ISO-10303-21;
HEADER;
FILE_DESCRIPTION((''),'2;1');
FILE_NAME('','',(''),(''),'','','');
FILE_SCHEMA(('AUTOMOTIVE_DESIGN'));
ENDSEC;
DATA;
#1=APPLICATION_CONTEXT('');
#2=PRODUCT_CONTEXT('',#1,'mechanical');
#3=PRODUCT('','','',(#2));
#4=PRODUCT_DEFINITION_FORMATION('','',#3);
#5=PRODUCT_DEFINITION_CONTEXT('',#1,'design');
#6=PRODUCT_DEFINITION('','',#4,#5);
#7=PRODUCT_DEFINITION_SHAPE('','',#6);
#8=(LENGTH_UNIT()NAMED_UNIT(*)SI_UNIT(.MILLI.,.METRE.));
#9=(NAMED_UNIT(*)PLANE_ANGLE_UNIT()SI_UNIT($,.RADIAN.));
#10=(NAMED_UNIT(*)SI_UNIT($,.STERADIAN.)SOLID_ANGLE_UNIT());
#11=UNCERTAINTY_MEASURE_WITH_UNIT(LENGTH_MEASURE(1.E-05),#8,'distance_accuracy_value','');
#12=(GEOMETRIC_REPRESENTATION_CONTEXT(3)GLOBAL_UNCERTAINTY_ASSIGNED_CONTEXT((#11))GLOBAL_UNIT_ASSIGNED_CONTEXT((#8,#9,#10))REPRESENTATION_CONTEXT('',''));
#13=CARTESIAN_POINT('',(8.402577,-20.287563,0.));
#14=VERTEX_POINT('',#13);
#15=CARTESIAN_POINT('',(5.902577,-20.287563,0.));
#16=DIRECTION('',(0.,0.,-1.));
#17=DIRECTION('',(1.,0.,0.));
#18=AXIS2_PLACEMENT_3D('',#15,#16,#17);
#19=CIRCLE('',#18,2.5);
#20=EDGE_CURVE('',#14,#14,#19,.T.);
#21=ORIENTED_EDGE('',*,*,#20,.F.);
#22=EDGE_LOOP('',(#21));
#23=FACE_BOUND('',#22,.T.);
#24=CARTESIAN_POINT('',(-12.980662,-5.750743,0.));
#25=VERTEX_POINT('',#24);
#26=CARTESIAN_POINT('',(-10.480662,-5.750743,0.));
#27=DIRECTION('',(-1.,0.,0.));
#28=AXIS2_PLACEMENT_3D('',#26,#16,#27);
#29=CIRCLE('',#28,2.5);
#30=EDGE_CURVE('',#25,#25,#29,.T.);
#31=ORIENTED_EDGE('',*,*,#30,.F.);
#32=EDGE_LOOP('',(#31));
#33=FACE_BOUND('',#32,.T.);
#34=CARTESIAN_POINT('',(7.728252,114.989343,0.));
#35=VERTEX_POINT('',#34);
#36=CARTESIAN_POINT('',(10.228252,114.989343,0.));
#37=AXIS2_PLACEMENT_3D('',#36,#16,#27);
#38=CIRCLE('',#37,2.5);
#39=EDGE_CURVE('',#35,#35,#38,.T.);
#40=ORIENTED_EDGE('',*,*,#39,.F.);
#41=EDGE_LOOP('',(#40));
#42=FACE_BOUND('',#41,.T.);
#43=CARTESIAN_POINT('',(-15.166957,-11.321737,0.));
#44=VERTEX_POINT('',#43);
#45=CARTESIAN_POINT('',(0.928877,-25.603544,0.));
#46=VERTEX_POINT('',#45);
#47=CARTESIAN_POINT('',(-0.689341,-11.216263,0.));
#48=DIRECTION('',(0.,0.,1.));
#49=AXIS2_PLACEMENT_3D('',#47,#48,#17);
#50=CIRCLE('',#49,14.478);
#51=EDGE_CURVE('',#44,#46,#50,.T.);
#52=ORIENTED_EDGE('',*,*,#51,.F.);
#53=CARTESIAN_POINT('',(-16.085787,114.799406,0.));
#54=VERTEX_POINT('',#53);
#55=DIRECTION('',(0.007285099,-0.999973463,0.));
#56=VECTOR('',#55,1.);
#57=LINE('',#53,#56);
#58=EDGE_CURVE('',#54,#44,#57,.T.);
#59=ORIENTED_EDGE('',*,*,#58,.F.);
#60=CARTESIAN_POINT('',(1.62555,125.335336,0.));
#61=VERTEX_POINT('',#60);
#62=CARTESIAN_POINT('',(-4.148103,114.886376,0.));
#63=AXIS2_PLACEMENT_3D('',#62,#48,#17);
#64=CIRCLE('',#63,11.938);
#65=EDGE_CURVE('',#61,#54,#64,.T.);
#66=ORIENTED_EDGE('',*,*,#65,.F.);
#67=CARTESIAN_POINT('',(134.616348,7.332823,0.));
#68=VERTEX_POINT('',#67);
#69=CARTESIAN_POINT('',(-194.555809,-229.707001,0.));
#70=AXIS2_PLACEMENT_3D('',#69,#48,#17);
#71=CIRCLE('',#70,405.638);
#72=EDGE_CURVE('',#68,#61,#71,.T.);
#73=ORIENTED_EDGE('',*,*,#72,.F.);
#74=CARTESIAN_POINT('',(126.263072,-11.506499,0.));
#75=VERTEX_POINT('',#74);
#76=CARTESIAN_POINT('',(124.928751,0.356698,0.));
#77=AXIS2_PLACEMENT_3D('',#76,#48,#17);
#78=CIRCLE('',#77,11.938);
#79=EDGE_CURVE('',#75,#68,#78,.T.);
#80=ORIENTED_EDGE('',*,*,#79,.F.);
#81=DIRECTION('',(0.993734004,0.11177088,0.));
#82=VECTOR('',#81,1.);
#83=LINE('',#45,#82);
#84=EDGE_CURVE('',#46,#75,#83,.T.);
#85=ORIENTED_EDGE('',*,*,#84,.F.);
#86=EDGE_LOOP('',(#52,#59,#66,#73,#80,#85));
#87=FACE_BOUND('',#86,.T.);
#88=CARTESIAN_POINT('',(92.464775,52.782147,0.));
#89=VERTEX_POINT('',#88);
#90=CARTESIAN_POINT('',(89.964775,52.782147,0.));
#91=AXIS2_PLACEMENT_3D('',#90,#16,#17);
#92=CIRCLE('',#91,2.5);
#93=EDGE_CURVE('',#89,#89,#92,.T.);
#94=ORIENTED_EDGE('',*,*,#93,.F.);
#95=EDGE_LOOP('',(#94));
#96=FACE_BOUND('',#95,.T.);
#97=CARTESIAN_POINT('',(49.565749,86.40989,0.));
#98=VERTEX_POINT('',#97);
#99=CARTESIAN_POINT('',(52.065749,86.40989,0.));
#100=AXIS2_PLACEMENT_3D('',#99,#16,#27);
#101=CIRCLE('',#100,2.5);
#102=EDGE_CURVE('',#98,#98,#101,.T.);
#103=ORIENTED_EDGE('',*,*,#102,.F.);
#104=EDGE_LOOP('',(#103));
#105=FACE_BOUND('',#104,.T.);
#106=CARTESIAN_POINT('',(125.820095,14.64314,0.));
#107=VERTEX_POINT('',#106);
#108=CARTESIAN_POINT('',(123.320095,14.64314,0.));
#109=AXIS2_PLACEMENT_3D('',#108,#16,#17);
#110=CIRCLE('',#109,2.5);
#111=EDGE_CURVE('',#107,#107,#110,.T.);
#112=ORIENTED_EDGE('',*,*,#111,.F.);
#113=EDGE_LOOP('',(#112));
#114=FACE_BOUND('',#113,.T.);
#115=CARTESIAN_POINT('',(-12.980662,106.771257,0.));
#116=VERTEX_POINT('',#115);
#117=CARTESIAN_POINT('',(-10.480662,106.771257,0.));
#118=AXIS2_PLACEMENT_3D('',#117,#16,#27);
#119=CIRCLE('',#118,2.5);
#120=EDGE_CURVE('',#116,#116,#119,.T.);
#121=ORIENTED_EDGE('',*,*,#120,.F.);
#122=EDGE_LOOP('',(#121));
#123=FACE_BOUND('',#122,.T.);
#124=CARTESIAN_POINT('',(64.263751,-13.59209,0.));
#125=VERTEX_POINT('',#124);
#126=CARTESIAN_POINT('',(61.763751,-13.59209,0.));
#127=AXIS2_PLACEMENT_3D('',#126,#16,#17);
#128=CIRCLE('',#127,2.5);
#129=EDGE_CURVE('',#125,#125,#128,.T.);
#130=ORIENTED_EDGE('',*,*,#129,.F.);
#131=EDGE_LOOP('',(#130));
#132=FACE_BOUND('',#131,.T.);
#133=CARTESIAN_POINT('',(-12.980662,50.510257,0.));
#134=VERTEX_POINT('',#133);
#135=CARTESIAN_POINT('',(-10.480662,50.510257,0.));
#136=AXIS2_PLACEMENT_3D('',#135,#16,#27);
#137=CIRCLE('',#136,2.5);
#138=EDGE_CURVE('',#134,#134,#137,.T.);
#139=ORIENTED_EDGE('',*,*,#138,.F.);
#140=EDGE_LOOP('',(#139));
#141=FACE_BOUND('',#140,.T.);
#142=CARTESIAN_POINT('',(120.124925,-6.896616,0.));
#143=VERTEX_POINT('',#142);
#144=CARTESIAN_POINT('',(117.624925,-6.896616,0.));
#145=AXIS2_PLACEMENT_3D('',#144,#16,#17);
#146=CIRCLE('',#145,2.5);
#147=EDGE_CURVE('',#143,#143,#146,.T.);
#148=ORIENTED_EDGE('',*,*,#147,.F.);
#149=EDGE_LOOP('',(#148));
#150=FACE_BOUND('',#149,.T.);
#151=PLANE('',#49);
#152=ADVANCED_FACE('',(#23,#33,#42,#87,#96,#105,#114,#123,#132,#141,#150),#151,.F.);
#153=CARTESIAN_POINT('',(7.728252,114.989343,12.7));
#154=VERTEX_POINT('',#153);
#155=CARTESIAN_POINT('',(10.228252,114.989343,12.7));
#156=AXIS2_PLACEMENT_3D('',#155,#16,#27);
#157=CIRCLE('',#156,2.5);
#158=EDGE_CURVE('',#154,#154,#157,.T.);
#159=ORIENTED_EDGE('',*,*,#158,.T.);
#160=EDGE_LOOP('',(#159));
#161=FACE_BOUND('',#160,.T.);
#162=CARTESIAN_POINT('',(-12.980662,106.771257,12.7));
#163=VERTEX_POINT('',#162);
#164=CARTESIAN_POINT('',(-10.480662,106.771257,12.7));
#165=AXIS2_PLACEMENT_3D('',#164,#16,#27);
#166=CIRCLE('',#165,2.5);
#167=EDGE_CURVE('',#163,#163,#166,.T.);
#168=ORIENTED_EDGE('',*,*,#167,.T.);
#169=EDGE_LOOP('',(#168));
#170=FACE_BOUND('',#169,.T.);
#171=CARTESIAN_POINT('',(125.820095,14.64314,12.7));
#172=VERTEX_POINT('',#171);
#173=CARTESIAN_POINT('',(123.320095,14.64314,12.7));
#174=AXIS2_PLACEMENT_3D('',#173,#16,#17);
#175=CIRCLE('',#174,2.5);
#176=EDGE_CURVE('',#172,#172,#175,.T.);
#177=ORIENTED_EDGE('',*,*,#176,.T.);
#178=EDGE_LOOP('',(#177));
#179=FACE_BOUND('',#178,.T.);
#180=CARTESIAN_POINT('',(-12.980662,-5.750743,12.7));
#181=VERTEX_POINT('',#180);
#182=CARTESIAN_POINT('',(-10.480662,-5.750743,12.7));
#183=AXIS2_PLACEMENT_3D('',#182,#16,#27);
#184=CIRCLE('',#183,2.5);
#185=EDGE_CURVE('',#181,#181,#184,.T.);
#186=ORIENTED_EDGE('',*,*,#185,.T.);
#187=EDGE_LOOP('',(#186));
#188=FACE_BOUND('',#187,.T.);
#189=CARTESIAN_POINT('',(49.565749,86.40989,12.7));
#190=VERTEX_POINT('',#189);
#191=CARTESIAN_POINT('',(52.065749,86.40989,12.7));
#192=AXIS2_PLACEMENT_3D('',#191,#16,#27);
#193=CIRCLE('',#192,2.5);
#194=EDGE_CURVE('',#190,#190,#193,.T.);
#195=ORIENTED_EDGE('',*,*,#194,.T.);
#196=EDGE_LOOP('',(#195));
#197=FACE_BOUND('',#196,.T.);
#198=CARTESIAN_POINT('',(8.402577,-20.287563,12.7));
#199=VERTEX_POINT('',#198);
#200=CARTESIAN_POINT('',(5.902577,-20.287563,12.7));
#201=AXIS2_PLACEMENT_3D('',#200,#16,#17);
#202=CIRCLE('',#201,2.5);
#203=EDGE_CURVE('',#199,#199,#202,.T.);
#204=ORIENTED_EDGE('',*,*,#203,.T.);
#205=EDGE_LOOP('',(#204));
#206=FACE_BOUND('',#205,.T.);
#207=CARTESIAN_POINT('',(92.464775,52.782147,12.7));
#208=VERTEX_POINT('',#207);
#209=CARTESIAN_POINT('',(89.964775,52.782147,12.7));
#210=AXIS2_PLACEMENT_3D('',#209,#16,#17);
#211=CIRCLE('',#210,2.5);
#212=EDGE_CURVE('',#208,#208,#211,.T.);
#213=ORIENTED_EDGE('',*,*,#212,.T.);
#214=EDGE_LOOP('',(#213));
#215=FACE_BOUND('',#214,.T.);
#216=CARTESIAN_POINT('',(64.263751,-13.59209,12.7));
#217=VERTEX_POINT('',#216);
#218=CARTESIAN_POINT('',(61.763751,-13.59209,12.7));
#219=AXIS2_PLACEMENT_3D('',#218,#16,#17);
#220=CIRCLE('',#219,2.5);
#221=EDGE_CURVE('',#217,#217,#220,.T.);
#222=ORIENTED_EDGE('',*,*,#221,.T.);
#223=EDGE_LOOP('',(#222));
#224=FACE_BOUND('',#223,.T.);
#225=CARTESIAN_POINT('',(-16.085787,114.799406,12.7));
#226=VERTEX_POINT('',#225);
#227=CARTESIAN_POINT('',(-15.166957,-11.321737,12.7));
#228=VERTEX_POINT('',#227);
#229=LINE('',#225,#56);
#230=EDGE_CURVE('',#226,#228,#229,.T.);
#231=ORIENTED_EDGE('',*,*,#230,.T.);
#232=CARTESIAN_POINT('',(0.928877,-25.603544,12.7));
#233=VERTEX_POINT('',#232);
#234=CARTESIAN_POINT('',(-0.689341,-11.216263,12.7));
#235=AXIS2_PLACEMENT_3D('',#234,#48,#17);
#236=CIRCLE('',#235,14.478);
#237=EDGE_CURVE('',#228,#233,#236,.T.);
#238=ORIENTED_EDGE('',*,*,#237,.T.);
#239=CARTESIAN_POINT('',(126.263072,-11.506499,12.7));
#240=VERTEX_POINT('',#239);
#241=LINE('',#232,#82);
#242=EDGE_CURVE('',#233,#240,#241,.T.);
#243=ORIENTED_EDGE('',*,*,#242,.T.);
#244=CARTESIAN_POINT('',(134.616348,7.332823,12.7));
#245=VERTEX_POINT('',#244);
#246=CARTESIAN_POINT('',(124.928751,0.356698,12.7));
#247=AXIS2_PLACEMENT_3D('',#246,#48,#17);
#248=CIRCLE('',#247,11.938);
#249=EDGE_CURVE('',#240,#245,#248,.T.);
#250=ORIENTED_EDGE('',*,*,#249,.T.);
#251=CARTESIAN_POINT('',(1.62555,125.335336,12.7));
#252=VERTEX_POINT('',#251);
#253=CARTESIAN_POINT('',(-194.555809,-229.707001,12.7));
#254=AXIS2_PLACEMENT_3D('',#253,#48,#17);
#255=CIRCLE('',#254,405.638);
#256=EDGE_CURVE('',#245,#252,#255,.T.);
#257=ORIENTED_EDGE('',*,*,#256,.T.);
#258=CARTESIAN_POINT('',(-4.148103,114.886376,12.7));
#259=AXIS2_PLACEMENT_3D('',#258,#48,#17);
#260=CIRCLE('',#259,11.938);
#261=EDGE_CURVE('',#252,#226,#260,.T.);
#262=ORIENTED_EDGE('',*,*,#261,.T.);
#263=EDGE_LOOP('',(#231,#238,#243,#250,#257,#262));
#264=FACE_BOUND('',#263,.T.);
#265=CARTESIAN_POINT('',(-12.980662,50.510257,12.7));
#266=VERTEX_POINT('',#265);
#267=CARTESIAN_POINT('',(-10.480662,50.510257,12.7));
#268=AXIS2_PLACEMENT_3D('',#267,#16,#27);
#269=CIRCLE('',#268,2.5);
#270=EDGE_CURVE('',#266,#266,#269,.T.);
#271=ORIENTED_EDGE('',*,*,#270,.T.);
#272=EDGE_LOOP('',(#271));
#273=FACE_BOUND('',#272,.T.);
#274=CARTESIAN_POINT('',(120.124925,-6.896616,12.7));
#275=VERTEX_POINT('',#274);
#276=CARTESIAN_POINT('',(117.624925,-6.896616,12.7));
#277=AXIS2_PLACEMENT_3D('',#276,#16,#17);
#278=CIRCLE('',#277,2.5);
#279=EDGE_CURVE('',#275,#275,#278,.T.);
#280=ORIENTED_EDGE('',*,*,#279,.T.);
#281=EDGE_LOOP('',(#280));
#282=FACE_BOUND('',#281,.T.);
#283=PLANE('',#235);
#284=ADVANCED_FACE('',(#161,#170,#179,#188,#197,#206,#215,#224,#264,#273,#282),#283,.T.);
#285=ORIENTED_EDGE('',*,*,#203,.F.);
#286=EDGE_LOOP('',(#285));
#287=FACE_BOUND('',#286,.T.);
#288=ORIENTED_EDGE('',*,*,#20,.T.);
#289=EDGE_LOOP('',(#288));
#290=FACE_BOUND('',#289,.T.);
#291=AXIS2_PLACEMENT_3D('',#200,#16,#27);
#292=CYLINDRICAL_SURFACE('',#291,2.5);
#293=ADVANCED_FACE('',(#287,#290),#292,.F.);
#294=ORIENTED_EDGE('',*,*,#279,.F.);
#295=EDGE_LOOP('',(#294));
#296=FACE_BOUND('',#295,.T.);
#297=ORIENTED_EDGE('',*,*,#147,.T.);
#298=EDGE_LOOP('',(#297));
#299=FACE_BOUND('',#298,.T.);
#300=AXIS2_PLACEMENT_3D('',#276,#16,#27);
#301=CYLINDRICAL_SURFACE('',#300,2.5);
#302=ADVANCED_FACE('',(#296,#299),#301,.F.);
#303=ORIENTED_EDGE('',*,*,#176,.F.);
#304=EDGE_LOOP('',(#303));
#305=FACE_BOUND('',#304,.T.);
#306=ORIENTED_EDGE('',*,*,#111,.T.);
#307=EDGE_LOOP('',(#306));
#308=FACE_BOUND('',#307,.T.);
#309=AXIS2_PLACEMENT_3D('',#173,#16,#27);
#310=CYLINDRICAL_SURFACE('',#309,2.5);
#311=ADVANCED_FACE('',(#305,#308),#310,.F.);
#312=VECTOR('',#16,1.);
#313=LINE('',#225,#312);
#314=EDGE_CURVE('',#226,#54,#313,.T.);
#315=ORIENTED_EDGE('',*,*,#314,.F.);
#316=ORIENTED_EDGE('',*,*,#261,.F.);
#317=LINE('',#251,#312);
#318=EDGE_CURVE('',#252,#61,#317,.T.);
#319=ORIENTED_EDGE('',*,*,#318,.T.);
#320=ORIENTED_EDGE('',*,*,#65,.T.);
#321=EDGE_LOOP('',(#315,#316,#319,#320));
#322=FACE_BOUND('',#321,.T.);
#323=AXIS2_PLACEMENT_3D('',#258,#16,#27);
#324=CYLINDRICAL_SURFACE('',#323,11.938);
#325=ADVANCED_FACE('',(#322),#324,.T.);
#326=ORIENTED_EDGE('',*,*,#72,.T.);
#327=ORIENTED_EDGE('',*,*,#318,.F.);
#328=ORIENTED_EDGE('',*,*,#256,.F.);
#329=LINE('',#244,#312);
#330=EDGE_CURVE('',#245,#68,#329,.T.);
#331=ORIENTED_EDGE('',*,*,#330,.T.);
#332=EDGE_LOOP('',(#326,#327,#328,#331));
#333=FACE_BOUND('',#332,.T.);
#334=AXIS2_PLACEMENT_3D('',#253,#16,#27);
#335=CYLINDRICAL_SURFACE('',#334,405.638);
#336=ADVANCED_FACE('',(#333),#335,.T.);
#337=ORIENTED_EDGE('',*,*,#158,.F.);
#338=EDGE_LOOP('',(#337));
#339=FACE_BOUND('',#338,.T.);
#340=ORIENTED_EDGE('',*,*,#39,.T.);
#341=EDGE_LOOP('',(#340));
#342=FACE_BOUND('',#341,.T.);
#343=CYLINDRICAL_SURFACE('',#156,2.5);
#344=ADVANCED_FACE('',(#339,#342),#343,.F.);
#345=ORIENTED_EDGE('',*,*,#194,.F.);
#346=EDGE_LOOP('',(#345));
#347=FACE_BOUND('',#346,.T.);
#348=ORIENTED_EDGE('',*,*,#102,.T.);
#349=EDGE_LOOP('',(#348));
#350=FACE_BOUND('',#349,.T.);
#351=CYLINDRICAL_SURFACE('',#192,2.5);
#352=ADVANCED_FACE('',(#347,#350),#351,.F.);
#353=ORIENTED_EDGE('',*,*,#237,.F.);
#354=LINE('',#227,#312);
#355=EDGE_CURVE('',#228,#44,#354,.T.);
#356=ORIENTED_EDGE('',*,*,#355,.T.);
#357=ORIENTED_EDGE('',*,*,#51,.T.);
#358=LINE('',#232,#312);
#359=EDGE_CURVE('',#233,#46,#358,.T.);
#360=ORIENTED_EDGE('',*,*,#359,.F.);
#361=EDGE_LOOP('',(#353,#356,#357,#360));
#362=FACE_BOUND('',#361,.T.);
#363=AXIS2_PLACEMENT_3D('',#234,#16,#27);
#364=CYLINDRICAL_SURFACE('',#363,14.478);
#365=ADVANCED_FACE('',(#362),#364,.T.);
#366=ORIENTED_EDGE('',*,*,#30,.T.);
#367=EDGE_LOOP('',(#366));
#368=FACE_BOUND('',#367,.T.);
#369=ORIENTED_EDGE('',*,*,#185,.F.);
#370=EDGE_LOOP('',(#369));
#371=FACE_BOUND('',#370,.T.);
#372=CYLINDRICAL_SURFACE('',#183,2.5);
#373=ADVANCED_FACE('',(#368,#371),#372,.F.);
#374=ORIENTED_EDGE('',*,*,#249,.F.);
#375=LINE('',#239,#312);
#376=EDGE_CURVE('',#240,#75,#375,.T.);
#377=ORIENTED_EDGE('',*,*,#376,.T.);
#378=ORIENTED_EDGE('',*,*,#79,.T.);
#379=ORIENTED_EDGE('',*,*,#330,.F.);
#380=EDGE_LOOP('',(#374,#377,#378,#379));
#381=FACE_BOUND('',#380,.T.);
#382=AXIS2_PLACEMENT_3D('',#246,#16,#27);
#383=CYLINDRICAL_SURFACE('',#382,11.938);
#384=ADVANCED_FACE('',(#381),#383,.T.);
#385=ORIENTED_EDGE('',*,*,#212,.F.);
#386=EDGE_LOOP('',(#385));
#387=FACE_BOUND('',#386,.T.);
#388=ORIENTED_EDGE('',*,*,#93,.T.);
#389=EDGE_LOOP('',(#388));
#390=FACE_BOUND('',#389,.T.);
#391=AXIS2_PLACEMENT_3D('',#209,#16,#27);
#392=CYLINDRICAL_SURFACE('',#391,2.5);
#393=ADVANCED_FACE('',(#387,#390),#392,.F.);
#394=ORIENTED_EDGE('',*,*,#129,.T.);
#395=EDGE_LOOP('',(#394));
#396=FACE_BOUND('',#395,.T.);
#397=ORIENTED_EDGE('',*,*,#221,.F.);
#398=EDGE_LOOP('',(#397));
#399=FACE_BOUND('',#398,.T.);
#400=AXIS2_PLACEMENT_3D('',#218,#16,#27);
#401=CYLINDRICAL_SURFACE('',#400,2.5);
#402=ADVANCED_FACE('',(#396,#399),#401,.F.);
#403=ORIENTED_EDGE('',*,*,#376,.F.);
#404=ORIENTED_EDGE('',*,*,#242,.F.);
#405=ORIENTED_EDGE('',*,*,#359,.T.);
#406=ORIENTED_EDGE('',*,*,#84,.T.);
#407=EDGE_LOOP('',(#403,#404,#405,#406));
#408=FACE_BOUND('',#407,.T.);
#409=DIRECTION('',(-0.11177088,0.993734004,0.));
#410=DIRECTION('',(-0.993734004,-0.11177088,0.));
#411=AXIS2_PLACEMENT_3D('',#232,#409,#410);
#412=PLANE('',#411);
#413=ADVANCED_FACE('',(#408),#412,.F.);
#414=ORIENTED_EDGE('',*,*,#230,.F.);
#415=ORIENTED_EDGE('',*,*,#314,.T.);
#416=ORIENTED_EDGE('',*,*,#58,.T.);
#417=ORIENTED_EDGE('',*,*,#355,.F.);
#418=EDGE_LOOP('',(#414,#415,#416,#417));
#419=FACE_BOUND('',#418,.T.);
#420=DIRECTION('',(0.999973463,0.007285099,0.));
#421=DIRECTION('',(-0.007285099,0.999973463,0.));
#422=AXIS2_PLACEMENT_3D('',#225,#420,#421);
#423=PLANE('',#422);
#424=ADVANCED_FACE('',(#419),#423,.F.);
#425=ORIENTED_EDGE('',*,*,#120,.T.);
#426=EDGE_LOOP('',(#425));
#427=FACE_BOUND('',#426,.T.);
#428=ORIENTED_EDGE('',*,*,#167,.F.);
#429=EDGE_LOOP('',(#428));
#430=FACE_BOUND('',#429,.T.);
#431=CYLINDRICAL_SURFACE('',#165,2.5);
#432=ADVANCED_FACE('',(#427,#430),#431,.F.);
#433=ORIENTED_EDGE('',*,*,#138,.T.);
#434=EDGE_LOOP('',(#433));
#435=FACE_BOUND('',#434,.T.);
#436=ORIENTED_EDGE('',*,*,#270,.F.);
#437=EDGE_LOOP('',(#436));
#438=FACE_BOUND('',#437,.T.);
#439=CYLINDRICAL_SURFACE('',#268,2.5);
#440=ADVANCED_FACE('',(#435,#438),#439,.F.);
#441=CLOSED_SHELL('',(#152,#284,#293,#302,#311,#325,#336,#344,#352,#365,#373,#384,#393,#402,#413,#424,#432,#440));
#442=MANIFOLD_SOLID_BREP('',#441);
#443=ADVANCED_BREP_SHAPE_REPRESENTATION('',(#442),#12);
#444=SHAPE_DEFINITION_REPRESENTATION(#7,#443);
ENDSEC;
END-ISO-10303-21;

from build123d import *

# Parameters (mm, degrees)
BOSS_EXTRUDE1_DEPTH = 12.7
SKETCH2_R           = 2.5
CUT_EXTRUDE1_DEPTH  = 188.024650501


with BuildPart() as part:
    # Sketch1 → Boss-Extrude1 (new body)
    with BuildSketch(Plane.XY):
        with BuildLine():
            Line((0.928877391, -25.603544091), (126.263071952, -11.506498815))
            ThreePointArc((126.263071952, -11.506498815), (135.842076702, -4.482224693), (134.616347537, 7.332822786))
            ThreePointArc((134.616347537, 7.332822786), (74.665711789, 73.710136722), (1.625549575, 125.335336338))
            ThreePointArc((1.625549575, 125.335336338), (-10.25140355, 125.146277033), (-16.085786649, 114.799406357))
            Line((-16.085786649, 114.799406357), (-15.166957214, -11.321736852))
            ThreePointArc((-15.166957214, -11.321736852), (-10.298375042, -22.045804112), (0.928877391, -25.603544091))
        make_face()
    extrude(amount=BOSS_EXTRUDE1_DEPTH)

    # Sketch2 → Cut-Extrude1 (cut, through all)
    with BuildSketch(Plane(origin=(0, 0, 0), x_dir=(-1, 0, 0), z_dir=(0, 0, -1))):
        with Locations((10.480661871, 106.771257069)):
            Circle(SKETCH2_R)
        with Locations((10.480661871, 50.510257069)):
            Circle(SKETCH2_R)
        with Locations((10.480661871, -5.750742931)):
            Circle(SKETCH2_R)
        with Locations((-52.065748574, 86.409889957)):
            Circle(SKETCH2_R)
        with Locations(Location((-89.964774668, 52.78214722, 0), (0, 0, 180))):
            Circle(SKETCH2_R)
        with Locations(Location((-123.32009462, 14.643139741, 0), (0, 0, 180))):
            Circle(SKETCH2_R)
        with Locations((-10.228252117, 114.989343254)):
            Circle(SKETCH2_R)
        with Locations(Location((-117.624924608, -6.89661647, 0), (0, 0, 180))):
            Circle(SKETCH2_R)
        with Locations(Location((-61.763750637, -13.592089836, 0), (0, 0, 180))):
            Circle(SKETCH2_R)
        with Locations(Location((-5.902576666, -20.287563201, 0), (0, 0, 180))):
            Circle(SKETCH2_R)
    extrude(amount=-CUT_EXTRUDE1_DEPTH, mode=Mode.SUBTRACT)


solid = part.part
